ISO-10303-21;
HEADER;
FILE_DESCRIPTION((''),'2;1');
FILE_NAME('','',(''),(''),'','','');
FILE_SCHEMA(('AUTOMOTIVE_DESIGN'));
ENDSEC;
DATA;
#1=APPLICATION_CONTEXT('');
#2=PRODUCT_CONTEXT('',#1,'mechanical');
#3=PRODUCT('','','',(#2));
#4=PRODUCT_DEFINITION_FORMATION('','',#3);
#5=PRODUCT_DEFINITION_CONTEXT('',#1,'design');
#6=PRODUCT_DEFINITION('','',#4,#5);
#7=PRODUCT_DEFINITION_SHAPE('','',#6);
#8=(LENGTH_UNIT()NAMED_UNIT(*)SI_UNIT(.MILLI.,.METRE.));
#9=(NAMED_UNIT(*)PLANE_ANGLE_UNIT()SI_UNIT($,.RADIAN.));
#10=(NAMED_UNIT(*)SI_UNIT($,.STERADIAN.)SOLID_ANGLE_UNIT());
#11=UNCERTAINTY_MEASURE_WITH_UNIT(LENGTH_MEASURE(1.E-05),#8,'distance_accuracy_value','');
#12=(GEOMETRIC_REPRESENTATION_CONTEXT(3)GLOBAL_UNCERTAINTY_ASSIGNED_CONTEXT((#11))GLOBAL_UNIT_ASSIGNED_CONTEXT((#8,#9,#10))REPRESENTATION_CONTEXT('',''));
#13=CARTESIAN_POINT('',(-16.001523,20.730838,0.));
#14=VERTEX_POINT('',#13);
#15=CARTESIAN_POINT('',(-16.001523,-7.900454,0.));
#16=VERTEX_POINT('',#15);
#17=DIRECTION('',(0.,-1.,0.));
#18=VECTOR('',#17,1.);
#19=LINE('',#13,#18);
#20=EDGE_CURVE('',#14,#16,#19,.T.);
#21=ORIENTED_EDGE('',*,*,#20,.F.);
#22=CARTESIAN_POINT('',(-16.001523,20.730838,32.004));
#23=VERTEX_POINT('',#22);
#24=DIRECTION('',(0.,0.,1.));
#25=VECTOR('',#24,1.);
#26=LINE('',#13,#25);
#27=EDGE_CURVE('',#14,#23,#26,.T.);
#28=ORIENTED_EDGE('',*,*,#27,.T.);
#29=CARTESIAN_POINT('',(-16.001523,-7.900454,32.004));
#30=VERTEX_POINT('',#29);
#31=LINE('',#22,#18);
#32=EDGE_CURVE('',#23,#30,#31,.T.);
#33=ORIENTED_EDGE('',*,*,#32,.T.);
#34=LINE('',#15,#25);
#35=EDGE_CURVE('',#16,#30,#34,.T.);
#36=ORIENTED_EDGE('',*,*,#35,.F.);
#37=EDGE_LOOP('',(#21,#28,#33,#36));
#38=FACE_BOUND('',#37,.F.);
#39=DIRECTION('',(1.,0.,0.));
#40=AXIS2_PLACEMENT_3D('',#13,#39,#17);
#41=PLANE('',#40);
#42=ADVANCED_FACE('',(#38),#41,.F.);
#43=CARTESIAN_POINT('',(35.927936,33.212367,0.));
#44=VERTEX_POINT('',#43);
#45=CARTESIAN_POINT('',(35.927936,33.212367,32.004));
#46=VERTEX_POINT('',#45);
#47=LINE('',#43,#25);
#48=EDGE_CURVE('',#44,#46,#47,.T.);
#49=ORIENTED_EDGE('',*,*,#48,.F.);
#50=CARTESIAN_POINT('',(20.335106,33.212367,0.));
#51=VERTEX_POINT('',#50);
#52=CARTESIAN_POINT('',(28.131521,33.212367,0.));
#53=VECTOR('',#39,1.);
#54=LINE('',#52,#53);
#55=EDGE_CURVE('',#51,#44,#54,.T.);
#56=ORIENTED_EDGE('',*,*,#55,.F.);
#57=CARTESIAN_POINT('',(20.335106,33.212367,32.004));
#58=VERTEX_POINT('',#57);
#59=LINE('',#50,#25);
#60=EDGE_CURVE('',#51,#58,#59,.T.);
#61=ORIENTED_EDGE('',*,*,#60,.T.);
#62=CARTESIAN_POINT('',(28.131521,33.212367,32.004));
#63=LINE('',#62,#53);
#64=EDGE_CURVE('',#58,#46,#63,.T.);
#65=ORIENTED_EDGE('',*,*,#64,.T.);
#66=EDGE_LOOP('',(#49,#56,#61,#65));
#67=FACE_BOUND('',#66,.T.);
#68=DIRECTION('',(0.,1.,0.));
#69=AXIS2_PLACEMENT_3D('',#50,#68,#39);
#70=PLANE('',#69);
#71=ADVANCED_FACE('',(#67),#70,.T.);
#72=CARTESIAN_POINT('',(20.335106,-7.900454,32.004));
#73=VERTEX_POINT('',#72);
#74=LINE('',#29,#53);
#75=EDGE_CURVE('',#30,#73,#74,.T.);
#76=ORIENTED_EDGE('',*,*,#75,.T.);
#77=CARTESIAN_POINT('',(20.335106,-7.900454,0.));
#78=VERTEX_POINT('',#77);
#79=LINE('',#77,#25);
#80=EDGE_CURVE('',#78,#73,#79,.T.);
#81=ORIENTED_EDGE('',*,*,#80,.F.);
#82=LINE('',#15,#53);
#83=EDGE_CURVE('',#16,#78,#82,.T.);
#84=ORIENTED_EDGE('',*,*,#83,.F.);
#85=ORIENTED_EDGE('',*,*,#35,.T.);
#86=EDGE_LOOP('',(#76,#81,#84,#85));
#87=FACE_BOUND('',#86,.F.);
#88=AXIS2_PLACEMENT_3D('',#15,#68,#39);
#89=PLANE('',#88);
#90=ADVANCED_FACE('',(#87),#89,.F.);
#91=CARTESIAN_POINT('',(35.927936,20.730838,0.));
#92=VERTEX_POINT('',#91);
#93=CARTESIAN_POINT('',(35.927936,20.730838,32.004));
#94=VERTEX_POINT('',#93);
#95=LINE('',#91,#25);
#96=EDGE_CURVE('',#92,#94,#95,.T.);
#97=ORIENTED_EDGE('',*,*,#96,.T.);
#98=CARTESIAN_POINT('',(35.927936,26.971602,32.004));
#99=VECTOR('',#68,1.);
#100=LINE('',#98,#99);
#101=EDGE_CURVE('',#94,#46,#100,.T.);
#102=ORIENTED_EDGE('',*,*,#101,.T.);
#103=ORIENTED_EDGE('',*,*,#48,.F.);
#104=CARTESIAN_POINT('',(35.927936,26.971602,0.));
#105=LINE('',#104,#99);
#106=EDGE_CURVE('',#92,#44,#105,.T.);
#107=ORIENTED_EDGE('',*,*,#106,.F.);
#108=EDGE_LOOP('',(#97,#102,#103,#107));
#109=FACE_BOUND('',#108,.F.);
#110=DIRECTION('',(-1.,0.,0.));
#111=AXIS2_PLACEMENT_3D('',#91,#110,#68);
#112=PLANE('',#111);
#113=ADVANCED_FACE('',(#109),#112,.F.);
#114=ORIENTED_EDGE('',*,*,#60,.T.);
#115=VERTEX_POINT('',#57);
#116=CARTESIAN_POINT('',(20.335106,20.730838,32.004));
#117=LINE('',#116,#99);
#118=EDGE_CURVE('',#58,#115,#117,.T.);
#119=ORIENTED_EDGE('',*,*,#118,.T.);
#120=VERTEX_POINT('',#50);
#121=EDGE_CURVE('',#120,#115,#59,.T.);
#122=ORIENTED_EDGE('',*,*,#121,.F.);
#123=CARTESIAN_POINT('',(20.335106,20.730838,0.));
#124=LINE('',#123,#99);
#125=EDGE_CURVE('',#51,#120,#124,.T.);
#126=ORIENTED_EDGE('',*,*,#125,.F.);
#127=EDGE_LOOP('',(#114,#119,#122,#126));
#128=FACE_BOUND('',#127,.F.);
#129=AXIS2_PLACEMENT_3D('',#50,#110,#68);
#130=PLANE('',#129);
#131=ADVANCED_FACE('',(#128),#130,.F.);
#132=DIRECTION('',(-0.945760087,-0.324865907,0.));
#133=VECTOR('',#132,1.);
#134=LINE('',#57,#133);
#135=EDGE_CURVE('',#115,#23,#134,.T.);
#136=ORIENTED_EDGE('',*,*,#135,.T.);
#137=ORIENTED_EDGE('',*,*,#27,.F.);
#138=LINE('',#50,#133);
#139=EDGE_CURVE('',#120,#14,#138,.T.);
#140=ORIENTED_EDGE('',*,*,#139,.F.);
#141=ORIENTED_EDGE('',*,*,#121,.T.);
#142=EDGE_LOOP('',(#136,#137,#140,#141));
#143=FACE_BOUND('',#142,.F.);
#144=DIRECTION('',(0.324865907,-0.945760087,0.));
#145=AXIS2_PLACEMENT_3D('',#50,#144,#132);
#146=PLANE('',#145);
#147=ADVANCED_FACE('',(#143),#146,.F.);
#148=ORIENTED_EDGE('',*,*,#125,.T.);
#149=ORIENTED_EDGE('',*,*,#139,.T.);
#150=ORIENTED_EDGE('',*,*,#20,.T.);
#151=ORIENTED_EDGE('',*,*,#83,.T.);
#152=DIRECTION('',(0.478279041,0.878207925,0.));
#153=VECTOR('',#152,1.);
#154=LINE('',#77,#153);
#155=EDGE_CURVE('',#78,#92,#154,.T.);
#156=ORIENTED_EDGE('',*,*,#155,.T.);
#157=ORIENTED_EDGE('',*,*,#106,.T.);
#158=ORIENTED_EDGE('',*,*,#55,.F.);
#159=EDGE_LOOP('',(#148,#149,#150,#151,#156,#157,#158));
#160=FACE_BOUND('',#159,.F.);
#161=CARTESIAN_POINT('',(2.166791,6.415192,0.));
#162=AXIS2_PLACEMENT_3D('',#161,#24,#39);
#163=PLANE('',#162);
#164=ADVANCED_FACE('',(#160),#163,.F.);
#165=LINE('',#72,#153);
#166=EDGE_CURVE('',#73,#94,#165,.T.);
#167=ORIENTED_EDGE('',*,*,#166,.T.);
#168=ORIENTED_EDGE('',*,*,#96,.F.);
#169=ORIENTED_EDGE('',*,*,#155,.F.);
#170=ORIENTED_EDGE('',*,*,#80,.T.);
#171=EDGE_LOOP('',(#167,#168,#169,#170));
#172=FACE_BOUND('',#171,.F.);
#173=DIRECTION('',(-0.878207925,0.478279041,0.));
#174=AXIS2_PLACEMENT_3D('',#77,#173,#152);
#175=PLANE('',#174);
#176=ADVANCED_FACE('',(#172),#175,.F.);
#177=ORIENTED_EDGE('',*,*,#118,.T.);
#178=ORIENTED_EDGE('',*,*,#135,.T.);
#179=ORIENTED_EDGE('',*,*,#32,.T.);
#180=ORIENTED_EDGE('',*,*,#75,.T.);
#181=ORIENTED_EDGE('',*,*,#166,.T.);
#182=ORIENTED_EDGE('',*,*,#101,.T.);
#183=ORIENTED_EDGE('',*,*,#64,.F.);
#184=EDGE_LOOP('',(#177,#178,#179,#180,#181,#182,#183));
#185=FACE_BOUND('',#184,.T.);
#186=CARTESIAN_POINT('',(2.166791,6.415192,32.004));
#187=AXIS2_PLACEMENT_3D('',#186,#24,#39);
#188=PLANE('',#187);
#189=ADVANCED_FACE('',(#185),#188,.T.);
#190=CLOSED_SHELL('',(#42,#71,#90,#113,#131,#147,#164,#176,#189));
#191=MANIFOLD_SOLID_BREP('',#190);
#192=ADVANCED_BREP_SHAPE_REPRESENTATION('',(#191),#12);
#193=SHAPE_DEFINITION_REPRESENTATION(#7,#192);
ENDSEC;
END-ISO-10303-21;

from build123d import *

# Parameters (mm, degrees)
F0_W     = 15.59283
F0_H     = 12.481529
F1_DEPTH = 32.004


with BuildPart() as f1:
    # F0 (on Top) → F1 (new body)
    with BuildSketch(Plane.XY):
        Polygon((-16.001523, -7.900454), (20.335106, -7.900454), (20.335106, 20.730838), (10.882463, 20.730838), (-16.001523, 20.730838), align=None)
        Polygon((20.335106, 20.730838), (20.335106, -7.900454), (35.927936, 20.730838), align=None)
        with Locations((28.131521, 26.971602)):
            Rectangle(F0_W, F0_H)
        Polygon((10.882463, 20.730838), (20.335106, 20.730838), (20.335106, 33.212367), (-16.001523, 20.730838), align=None)
    extrude(amount=F1_DEPTH)


solid = f1.part
